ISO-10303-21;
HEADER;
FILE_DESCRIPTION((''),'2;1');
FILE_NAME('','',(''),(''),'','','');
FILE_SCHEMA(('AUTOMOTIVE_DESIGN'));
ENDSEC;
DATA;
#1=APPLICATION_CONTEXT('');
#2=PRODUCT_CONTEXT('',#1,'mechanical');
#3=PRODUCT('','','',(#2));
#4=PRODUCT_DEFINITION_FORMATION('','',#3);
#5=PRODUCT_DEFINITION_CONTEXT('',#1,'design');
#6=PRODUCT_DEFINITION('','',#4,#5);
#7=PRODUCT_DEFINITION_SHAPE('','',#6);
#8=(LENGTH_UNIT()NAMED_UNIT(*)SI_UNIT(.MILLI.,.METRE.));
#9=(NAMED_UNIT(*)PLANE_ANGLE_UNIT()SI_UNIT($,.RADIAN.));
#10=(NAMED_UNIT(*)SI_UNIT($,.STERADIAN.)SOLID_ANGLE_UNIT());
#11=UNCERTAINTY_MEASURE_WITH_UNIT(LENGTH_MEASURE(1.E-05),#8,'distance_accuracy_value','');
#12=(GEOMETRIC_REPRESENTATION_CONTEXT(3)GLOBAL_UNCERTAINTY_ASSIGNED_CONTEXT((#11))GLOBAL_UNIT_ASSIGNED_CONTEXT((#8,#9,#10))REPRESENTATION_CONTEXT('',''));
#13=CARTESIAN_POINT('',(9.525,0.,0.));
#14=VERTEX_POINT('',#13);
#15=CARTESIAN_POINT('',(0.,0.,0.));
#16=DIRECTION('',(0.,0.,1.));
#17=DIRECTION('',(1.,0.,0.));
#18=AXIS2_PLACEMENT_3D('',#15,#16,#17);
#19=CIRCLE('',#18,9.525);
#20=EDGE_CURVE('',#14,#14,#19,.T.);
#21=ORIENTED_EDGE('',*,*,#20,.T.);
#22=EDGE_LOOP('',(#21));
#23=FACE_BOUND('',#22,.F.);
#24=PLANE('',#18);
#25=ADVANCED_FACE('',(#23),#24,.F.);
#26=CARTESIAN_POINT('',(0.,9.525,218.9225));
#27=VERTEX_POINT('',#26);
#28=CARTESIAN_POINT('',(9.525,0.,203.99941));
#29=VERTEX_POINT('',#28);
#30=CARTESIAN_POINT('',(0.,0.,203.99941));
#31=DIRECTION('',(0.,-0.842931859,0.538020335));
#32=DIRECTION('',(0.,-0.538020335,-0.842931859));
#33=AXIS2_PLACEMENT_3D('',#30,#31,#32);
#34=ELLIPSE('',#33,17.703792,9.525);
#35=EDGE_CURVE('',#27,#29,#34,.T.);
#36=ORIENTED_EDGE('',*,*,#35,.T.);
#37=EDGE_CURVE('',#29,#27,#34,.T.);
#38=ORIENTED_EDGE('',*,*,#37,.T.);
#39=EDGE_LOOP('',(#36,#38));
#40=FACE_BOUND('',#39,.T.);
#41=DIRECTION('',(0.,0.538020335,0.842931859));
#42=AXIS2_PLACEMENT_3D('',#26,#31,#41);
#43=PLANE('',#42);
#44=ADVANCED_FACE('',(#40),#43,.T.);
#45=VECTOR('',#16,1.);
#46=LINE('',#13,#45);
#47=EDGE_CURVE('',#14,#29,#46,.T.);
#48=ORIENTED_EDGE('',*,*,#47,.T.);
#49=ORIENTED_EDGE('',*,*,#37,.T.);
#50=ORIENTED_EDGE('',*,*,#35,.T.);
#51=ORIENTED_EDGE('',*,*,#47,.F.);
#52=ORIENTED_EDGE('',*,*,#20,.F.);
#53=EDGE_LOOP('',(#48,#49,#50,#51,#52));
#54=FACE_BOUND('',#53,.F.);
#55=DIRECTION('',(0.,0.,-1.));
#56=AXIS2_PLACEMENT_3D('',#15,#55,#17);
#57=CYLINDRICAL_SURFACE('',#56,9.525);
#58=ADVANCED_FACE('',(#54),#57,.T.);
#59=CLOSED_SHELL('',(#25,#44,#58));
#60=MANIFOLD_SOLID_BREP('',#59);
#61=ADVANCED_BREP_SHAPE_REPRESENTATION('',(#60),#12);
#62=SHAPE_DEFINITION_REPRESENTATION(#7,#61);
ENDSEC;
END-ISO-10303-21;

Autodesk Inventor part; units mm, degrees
ref_plane "Start Plane" through (0, 0, 0) normal (0, 0, 1) x (1, 0, 0)
ref_plane "End Plane" through (0, 0, 218.9225) normal (0, 0, 1) x (1, 0, 0)
sketch "Sketch" plane through (0, 0, 0) normal (0, 0, 1) x (1, 0, 0)
  circle A0 centre (0, 0) radius 9.525
  dimension "d0" = 19.05
extrude "Body" add sketch "Sketch" along normal up to surface (218.9225 mm away) from surface at 0
sketch "Sketch2" plane through (0, 0, 0) normal (0, 0, 1) x (1, 0, 0)
  line L0 (0, 0) -> (10, 0)
ref_plane "Work Plane3" through (0, 0, 0) normal (0, -1, 0) x (1, 0, 0)
ref_plane "Work Plane4" through (0, 9.525, 218.9225) normal (0, -0.8429, 0.538) x (1, 0, 0)
split "Split1" plane through (0, 9.525, 218.9225) removes the side toward (0, -0.8429, 0.538)
sketch "Sketch3" plane through (0, 0, 0) normal (0, -1, 0) x (1, 0, 0)
  line L0 (-2, 0) -> (12, 0) projected
  line L1 (-2, 218.9225) -> (12, 218.9225) projected
  dimension "d7" = 218.9225
equation "\"d0\" = Diam"
equation "\"d1\" = G_L"
equation "\"Diam\" = 19.05"
equation "\"G_L\" = d7"
equation "\"G_OFFSET_START\" = 0"
equation "\"G_OFFSET_END\" = 14.92247"
equation "\"d5\" = G_OFFSET_END + B_L"
equation "\"B_L\" = 204"
properties part number "ANSI/AISC Rolled Steel - 3/4-8.619, RB" material "Steel, Mild"
